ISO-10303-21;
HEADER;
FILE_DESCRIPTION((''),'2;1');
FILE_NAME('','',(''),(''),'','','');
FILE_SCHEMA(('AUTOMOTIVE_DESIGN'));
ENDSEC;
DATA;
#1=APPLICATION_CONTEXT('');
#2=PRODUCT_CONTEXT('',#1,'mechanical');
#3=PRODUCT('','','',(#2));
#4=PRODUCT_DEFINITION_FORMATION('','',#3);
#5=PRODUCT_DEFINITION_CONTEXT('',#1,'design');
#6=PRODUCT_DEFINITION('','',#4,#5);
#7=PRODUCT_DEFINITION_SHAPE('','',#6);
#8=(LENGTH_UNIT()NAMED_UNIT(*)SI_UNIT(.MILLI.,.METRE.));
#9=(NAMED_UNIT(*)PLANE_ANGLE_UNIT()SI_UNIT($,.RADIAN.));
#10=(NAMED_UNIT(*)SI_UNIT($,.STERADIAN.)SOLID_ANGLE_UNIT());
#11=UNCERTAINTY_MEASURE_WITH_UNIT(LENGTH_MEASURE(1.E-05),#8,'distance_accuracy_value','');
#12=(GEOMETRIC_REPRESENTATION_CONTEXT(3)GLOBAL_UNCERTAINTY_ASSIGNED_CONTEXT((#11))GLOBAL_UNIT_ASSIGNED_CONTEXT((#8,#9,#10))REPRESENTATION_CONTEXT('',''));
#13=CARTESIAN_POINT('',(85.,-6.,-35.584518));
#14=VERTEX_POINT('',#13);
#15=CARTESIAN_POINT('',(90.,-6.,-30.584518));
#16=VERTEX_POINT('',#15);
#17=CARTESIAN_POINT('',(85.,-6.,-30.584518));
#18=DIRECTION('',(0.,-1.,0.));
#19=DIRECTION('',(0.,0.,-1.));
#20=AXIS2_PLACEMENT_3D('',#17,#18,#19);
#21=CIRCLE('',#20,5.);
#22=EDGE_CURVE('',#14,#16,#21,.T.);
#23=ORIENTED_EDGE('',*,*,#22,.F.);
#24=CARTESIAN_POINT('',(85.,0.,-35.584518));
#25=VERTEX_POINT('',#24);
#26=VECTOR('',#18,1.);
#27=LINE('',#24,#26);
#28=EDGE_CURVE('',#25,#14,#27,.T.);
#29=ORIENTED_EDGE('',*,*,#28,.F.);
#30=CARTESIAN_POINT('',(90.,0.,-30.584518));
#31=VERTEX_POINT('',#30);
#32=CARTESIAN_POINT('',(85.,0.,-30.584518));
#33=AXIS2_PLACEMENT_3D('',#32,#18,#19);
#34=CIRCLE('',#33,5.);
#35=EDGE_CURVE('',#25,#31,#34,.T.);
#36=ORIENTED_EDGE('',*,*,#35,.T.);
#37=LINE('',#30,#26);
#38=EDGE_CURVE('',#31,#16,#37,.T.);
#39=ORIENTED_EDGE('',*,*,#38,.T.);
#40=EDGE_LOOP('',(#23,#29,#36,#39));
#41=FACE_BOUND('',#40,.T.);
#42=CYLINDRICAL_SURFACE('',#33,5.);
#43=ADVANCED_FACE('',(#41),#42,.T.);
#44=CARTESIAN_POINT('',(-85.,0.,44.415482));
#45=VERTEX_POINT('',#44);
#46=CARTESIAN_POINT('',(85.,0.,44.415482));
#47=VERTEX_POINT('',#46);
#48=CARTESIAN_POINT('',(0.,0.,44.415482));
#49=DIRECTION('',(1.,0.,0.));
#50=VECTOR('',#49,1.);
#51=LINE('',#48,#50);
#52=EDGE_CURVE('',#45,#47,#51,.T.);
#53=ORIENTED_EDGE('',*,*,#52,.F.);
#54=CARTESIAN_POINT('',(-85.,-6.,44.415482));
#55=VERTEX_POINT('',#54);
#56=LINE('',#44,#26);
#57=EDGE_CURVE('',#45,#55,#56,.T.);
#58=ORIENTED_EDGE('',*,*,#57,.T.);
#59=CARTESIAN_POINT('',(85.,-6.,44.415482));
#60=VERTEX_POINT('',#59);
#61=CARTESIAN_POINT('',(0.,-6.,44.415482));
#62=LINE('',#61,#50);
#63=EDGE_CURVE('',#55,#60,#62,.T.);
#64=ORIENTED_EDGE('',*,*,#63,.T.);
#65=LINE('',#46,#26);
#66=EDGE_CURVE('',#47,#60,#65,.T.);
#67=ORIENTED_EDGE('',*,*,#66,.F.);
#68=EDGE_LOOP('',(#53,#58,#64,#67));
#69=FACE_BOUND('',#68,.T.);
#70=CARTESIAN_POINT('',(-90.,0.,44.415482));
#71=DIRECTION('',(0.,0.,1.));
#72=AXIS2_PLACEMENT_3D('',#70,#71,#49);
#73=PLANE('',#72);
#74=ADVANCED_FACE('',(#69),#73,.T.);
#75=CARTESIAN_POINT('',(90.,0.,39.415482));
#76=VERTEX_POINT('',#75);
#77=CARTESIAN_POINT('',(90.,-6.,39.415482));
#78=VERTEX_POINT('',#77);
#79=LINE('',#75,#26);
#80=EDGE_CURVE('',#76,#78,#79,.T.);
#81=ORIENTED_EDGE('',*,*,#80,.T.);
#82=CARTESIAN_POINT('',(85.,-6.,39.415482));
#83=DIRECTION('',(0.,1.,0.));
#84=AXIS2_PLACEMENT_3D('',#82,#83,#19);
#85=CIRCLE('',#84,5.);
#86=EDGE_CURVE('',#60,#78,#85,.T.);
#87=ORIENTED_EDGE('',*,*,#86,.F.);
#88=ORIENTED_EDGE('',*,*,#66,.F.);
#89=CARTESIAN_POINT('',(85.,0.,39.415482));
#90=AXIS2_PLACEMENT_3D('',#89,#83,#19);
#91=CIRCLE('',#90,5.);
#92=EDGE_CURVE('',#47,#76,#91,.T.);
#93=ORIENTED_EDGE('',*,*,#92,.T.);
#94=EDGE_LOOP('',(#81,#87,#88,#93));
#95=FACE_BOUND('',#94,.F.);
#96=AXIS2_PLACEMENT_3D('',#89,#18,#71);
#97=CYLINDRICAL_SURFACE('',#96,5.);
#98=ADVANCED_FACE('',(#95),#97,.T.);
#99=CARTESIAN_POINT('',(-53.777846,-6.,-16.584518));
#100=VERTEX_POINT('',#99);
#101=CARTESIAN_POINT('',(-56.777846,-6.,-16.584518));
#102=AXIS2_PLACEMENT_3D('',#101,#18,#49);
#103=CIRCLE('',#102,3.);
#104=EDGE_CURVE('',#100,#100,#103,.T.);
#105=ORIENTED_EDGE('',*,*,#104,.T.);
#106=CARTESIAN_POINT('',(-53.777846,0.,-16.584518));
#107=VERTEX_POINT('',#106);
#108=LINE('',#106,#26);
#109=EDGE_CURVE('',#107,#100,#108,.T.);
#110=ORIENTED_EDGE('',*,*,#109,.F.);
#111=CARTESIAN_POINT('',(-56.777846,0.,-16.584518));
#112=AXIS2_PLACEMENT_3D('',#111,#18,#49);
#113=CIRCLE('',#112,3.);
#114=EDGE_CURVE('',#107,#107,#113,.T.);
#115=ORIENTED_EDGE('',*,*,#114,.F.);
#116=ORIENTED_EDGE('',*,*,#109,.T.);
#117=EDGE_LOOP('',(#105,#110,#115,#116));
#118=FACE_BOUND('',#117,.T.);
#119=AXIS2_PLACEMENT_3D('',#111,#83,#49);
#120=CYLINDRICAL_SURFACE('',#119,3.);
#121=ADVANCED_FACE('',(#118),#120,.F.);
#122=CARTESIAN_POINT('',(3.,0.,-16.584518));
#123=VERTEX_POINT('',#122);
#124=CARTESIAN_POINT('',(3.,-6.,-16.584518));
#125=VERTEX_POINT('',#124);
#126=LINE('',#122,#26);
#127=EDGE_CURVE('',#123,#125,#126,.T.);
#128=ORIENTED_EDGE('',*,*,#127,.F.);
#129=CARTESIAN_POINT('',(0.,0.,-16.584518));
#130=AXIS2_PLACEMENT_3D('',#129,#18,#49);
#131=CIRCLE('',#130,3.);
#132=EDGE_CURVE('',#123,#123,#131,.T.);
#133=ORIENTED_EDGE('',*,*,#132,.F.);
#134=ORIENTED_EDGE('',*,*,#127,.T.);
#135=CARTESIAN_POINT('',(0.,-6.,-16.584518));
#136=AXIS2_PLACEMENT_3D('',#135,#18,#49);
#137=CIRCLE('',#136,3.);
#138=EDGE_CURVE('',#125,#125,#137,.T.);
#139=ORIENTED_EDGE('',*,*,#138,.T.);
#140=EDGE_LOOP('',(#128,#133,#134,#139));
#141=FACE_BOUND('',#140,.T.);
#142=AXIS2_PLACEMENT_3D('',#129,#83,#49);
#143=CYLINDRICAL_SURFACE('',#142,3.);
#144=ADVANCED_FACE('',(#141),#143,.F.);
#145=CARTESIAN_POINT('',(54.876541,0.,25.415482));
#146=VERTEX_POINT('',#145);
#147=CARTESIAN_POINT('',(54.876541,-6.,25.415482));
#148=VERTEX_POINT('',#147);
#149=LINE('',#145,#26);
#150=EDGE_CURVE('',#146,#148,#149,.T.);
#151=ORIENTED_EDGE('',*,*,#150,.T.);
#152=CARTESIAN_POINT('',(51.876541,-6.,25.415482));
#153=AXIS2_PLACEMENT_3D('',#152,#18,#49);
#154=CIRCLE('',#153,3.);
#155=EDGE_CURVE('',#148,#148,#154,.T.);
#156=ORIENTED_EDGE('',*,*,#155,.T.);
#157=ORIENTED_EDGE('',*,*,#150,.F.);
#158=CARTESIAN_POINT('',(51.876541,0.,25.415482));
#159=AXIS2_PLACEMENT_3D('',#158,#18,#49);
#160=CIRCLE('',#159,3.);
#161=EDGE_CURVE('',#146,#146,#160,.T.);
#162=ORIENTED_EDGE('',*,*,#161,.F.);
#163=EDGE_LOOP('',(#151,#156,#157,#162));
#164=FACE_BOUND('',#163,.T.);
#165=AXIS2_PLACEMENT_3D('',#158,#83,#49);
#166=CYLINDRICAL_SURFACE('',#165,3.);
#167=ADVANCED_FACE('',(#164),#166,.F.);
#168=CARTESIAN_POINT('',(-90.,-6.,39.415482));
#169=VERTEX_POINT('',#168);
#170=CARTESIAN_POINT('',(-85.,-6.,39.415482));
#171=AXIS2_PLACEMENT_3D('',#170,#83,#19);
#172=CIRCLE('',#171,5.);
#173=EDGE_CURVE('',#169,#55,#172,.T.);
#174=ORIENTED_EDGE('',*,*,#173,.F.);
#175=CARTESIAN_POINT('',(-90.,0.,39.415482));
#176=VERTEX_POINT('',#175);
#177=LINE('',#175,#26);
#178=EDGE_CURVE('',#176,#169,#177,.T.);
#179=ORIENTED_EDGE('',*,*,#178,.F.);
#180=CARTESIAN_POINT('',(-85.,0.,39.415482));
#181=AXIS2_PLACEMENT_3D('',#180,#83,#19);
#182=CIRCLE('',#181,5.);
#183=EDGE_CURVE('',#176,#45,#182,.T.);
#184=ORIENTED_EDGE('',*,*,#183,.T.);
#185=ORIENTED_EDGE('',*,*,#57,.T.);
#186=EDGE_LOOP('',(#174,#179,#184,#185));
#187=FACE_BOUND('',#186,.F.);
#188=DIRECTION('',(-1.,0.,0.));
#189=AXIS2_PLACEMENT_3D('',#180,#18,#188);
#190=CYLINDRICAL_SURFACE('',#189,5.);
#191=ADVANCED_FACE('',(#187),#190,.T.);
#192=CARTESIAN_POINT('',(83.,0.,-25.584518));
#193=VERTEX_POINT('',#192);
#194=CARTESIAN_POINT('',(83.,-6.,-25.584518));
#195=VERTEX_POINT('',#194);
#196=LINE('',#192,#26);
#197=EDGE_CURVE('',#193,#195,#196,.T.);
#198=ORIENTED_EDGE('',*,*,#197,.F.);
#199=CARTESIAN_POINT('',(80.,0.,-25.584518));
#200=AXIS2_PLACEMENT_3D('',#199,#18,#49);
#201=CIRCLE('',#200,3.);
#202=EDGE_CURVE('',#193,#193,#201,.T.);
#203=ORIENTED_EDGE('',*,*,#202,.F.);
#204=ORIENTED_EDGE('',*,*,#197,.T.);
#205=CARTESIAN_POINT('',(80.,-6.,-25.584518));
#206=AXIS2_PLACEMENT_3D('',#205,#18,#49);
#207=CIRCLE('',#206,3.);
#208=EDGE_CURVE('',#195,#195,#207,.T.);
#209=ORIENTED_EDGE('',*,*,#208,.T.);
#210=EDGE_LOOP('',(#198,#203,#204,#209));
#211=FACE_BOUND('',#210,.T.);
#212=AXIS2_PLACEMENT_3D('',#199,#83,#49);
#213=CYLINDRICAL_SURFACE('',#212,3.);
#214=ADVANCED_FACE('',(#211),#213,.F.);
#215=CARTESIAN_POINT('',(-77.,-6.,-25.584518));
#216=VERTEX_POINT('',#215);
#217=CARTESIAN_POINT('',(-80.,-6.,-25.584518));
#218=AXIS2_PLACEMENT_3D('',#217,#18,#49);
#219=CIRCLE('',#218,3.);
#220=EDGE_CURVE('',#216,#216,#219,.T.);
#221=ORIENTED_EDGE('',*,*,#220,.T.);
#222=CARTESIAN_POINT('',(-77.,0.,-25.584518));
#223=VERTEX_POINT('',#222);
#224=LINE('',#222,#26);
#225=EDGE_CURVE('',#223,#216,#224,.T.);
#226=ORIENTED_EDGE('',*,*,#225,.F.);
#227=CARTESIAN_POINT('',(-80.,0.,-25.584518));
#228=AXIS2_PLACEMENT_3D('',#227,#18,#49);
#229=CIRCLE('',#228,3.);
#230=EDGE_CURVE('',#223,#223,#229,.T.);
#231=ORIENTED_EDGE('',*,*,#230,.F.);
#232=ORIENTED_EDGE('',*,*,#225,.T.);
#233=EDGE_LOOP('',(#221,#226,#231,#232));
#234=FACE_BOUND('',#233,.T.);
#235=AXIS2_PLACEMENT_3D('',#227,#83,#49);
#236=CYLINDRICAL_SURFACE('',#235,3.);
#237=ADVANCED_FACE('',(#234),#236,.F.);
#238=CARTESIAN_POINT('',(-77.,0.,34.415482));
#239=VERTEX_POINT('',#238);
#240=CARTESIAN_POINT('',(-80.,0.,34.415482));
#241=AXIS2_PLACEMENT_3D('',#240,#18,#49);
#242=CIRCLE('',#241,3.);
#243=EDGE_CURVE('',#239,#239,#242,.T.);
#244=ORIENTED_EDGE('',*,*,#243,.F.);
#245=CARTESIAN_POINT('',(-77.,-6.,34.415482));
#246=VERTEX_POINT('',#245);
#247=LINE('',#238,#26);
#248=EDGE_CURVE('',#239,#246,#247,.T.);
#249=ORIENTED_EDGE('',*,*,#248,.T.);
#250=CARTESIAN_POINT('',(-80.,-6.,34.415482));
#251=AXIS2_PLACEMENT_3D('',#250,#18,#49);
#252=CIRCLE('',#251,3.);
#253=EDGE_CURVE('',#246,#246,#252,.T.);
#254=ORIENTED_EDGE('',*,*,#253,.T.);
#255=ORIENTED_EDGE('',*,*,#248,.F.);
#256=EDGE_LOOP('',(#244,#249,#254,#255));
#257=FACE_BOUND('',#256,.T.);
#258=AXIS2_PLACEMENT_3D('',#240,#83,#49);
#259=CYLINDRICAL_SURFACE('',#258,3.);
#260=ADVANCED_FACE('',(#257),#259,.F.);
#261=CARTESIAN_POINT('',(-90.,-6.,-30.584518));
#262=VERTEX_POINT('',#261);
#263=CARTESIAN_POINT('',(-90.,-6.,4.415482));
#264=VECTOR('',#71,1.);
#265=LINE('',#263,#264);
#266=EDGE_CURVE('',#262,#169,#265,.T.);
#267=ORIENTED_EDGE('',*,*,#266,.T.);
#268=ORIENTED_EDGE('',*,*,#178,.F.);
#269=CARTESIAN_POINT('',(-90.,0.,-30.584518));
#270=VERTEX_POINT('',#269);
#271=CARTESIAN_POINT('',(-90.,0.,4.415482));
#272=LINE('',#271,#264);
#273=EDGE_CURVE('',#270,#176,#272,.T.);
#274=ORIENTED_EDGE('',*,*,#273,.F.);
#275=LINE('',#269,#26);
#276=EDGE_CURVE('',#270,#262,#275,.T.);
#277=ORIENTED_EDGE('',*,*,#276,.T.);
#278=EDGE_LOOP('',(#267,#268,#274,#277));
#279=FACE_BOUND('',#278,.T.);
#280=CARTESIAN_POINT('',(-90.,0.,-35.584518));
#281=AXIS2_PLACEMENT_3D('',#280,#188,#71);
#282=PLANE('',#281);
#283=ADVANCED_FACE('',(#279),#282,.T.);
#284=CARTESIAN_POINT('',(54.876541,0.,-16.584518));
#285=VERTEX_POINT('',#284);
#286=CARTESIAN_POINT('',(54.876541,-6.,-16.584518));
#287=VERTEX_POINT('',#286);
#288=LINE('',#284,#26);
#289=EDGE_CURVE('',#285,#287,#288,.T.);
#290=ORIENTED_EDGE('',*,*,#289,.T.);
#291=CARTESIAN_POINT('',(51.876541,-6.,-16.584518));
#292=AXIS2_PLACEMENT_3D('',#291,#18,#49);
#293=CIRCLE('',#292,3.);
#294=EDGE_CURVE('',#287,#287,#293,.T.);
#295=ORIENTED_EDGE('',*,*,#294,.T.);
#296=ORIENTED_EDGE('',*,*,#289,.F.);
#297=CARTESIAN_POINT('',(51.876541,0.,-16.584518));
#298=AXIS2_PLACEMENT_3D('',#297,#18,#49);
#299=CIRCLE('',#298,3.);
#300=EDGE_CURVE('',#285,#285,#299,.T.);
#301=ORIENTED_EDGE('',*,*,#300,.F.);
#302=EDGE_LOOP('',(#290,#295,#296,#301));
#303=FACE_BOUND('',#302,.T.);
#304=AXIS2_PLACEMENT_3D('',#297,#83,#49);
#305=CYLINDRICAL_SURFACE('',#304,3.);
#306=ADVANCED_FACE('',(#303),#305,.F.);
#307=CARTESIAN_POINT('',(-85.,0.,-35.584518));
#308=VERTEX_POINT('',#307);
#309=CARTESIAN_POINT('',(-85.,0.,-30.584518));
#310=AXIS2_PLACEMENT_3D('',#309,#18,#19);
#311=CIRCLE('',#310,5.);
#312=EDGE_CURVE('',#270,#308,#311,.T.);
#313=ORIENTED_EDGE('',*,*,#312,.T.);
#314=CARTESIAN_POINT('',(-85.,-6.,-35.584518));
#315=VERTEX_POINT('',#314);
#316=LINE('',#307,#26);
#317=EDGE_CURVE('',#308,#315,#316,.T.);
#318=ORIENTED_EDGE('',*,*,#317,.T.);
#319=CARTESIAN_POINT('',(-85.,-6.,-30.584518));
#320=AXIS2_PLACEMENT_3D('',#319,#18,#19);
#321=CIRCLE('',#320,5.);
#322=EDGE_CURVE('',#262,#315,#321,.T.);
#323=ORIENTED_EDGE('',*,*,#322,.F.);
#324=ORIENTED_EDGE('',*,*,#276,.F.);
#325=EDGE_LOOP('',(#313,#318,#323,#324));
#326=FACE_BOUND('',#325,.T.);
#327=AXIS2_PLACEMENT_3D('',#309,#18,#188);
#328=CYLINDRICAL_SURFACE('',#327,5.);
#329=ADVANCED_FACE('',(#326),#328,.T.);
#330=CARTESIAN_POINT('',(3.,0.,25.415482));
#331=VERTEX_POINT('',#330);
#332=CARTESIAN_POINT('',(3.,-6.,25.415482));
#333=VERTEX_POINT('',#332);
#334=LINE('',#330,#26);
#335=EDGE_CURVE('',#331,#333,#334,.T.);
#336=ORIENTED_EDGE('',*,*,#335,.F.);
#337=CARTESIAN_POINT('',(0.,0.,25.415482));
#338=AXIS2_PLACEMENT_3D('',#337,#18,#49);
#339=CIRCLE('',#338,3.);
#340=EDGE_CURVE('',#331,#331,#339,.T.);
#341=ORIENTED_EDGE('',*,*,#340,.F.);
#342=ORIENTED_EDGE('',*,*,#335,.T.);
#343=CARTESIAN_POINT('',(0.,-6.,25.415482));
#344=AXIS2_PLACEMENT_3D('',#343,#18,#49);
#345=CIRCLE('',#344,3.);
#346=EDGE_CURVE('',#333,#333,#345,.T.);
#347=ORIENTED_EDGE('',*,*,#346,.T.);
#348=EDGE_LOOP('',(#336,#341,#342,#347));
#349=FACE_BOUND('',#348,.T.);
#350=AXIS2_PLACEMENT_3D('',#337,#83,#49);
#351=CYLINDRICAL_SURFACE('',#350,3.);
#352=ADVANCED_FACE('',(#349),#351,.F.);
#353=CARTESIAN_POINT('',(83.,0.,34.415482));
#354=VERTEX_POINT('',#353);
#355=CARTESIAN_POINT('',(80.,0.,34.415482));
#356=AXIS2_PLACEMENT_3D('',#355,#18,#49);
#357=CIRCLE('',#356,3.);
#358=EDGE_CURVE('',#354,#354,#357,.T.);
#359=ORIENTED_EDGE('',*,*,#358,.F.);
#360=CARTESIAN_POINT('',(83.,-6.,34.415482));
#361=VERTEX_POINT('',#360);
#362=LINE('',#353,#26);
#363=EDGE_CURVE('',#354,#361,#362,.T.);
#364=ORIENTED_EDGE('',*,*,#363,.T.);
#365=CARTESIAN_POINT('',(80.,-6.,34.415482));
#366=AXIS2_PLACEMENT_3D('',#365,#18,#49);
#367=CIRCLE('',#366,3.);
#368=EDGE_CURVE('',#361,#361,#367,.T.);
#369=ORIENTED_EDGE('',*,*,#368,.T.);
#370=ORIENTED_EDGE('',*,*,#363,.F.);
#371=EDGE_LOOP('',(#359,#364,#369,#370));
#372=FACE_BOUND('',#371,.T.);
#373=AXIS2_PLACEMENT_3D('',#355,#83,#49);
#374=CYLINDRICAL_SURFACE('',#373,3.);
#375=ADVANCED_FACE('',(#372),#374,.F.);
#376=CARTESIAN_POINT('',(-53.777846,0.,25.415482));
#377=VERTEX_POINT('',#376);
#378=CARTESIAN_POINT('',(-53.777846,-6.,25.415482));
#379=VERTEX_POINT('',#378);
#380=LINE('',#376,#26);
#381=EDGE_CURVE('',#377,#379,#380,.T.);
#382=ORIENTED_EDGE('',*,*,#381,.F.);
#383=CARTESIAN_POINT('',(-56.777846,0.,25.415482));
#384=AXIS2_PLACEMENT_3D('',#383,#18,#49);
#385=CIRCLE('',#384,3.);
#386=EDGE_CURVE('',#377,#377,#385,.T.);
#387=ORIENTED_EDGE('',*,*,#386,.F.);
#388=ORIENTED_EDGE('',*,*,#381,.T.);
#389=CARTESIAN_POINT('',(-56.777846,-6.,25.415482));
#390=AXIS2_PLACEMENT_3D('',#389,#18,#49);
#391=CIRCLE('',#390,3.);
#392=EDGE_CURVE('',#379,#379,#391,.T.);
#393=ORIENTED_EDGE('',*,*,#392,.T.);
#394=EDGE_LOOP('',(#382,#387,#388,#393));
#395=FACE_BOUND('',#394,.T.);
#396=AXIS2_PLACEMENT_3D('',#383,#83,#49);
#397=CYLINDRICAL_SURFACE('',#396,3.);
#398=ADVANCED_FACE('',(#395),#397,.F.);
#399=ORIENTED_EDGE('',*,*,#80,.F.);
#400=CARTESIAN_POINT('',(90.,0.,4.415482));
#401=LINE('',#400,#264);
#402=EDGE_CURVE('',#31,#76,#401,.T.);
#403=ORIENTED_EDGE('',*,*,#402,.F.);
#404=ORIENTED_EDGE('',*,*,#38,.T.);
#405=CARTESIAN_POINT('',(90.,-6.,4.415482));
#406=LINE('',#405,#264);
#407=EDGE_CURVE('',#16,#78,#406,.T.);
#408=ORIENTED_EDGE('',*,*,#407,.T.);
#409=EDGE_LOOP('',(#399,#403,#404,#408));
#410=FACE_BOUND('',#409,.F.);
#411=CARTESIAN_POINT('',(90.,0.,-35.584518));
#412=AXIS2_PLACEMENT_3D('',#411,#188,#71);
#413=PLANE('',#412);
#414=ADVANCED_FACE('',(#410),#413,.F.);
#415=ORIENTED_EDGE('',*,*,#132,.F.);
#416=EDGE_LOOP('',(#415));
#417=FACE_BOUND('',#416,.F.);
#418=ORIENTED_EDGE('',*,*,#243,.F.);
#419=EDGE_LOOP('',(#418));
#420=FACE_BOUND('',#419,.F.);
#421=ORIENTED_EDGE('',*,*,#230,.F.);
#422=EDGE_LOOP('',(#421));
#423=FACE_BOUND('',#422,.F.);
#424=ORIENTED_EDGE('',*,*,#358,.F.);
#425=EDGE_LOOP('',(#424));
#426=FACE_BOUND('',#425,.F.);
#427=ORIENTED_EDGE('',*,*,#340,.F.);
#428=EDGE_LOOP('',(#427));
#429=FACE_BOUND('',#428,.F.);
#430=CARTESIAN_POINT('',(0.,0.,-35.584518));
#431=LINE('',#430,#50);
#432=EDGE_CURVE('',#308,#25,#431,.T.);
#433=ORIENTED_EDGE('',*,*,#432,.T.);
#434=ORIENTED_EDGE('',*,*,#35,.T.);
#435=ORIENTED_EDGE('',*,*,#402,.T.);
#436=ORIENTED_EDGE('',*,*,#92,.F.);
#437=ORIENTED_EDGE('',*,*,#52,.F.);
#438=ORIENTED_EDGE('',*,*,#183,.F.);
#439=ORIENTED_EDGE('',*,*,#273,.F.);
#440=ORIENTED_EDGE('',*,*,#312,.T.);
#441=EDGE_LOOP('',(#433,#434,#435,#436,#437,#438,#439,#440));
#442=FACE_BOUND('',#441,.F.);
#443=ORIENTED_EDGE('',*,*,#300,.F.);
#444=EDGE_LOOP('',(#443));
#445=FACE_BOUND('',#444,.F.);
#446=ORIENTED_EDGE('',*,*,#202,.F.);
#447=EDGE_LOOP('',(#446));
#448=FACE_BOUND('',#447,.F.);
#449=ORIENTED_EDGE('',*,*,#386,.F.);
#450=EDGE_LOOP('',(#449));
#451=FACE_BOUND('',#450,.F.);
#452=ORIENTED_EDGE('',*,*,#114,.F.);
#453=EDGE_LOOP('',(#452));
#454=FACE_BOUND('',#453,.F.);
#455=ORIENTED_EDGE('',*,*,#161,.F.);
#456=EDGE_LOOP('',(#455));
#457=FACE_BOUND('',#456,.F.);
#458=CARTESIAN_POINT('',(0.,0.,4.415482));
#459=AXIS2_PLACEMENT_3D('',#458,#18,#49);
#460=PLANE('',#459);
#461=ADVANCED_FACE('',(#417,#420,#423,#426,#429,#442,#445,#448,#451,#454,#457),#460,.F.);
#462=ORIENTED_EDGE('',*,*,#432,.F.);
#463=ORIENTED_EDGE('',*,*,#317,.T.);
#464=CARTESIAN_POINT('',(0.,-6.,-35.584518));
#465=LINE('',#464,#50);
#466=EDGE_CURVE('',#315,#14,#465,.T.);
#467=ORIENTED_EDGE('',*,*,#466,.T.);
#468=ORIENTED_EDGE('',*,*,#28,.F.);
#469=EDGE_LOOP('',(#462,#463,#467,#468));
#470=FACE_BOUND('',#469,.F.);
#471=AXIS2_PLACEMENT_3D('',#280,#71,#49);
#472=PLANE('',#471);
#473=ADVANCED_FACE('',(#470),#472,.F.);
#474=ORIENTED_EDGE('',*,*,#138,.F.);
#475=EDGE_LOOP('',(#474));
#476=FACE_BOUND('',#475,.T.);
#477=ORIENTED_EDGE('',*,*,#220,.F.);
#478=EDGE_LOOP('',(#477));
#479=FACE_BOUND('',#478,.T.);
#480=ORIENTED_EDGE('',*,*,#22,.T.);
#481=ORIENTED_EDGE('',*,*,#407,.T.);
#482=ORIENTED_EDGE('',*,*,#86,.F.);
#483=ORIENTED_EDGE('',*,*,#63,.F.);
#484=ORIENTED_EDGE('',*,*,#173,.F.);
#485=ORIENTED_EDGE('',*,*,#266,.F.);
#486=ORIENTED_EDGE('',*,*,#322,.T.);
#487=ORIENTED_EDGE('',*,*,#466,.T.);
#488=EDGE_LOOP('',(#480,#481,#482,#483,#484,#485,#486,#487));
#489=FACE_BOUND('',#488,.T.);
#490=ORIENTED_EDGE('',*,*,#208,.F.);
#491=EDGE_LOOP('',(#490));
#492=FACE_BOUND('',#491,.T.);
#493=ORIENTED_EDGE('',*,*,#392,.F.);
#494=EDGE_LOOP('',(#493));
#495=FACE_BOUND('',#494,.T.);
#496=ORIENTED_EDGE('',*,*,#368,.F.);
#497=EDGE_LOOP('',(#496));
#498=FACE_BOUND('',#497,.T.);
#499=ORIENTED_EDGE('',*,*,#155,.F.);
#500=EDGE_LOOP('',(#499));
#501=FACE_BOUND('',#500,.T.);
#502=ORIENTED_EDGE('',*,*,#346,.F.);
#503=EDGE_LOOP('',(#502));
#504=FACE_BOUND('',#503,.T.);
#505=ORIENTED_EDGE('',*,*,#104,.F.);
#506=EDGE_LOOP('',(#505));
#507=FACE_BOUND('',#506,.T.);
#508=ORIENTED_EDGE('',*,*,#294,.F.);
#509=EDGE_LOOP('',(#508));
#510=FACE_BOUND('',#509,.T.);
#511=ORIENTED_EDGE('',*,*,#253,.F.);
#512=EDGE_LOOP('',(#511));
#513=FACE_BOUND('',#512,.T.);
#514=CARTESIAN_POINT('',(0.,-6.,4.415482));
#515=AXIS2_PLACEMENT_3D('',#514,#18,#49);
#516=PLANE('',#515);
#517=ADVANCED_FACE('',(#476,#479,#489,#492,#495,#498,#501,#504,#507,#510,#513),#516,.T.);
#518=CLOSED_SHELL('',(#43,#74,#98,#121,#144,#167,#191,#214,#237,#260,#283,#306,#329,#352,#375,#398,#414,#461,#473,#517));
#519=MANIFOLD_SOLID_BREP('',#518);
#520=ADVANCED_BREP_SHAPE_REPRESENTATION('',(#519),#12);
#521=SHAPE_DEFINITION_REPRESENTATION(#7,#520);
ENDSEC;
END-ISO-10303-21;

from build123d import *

# Parameters (mm, degrees)
F0_W     = 180
F0_H     = 80
F0_R     = 3
F1_DEPTH = 6
F2_R     = 5


with BuildPart() as f1:
    # F0 (on Front) → F1 (new body)
    with BuildSketch(Plane.XZ):
        with Locations((0, 4.415482)):
            Rectangle(F0_W, F0_H)
        with Locations((-80, -25.584518)):
            Circle(F0_R, mode=Mode.SUBTRACT)
        with Locations((-56.777846, -16.584518)):
            Circle(F0_R, mode=Mode.SUBTRACT)
        with Locations((0, -16.584518)):
            Circle(F0_R, mode=Mode.SUBTRACT)
        with Locations((51.876541, -16.584518)):
            Circle(F0_R, mode=Mode.SUBTRACT)
        with Locations((80, -25.584518)):
            Circle(F0_R, mode=Mode.SUBTRACT)
        with Locations((-80, 34.415482)):
            Circle(F0_R, mode=Mode.SUBTRACT)
        with Locations((-56.777846, 25.415482)):
            Circle(F0_R, mode=Mode.SUBTRACT)
        with Locations((0, 25.415482)):
            Circle(F0_R, mode=Mode.SUBTRACT)
        with Locations((51.876541, 25.415482)):
            Circle(F0_R, mode=Mode.SUBTRACT)
        with Locations((80, 34.415482)):
            Circle(F0_R, mode=Mode.SUBTRACT)
    extrude(amount=F1_DEPTH)

    # F2
    f2_edges = [f1.edges().sort_by_distance(p)[0] for p in [
        (-90, -3, 44.415482),
        (-90, -3, -35.584518),
        (90, -3, 44.415482),
        (90, -3, -35.584518),
    ]]
    fillet(f2_edges, radius=F2_R)


solid = f1.part
